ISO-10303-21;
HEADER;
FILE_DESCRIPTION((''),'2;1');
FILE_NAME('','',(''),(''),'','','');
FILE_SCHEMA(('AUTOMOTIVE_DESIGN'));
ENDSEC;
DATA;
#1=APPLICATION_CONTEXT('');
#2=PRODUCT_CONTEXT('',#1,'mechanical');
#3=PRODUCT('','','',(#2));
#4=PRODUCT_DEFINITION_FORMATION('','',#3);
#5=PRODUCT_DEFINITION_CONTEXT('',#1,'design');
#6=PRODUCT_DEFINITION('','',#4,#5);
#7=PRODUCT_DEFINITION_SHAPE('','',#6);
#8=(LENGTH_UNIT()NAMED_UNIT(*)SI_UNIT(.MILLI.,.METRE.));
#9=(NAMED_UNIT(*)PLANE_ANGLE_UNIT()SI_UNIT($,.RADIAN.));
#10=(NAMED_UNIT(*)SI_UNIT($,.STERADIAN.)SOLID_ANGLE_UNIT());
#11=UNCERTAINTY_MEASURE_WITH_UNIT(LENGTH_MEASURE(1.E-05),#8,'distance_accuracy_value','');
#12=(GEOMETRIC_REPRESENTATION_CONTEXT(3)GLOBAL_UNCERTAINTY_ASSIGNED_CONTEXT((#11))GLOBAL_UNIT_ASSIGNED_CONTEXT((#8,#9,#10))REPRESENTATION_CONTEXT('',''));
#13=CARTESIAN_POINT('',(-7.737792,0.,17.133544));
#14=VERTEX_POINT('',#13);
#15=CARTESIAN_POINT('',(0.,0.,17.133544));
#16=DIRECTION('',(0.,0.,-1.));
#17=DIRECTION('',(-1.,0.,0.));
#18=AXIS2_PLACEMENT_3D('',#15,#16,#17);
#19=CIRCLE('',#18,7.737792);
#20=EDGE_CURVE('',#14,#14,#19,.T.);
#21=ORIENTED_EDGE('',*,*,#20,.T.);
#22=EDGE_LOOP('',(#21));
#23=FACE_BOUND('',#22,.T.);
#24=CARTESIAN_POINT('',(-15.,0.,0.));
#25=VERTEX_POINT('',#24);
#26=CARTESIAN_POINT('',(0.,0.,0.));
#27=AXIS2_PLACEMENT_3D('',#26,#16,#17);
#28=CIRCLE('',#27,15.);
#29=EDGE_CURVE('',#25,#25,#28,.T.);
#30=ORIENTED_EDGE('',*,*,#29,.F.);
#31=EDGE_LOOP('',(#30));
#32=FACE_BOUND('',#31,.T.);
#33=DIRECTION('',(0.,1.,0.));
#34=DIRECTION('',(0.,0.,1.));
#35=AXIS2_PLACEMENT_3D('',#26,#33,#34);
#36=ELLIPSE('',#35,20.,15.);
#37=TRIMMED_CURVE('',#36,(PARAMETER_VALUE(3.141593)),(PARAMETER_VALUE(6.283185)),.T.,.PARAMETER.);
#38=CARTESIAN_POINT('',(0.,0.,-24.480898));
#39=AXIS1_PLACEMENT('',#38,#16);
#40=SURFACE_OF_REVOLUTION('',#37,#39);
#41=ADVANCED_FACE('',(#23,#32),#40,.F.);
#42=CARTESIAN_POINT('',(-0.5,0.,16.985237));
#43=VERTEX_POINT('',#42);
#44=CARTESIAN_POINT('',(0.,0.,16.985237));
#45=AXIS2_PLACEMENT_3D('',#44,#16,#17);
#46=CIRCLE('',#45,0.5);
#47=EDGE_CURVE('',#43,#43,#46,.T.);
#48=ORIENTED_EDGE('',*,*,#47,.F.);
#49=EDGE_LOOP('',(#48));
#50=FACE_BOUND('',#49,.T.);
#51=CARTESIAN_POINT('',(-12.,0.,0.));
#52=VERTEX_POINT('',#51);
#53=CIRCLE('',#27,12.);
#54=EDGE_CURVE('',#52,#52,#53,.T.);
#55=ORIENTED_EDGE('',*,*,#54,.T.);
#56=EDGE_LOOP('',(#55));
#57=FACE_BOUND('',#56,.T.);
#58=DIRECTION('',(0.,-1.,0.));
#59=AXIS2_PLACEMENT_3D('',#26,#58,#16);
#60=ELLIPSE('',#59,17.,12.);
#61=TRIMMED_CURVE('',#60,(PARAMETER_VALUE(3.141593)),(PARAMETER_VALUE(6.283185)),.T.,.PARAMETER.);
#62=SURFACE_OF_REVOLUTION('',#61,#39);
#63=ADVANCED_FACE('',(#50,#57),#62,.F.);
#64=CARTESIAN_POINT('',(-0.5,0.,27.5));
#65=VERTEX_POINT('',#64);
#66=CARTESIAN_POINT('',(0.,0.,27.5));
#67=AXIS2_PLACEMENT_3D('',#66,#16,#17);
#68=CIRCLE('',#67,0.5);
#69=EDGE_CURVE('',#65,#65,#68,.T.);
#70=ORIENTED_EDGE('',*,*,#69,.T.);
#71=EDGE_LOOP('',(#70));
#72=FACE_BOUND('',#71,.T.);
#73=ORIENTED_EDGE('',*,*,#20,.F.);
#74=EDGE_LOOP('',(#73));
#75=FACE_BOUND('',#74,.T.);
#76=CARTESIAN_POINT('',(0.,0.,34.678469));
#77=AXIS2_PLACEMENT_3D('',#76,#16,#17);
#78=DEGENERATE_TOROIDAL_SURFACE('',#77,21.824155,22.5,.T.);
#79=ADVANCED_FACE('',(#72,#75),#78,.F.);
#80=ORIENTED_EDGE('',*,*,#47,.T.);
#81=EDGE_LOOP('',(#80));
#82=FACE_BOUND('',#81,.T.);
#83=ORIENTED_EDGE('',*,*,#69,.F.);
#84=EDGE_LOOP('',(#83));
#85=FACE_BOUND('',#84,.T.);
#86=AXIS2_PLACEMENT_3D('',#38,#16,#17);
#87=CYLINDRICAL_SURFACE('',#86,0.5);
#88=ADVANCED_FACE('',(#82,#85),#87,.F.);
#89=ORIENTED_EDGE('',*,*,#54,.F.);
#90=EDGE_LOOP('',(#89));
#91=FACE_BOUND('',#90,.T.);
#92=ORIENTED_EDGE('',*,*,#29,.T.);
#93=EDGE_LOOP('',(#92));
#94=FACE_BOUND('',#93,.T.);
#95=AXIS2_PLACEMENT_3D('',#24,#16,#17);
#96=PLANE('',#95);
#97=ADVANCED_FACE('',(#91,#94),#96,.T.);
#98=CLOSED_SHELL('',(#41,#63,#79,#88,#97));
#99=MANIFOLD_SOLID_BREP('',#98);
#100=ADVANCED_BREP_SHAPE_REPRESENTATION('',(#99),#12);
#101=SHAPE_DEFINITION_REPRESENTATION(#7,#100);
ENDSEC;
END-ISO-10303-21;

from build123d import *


with BuildPart() as part:
    # Esquisse3 → Révolution1 (revolve)
    with BuildSketch(Plane(origin=(0, 0, 0), x_dir=(1, 0, 0), z_dir=(0, 1, 0))):
        with BuildLine():
            Line((-15, 0), (-12, 0))
            add(Edge.make_bspline(
                [(-12, 0), (-12, -16.305827179), (-0.5, -16.985236645)],
                knots=[1.570796327, 1.570796327, 1.570796327, 3.099913921, 3.099913921, 3.099913921], degree=2, weights=[1, 0.721687836, 1]))
            Line((-0.5, -16.985236645), (-0.5, -27.5))
            ThreePointArc((-0.5, -27.5), (-3.375793576, -21.797942718), (-7.737792446, -17.133544386))
            add(Edge.make_bspline(
                [(-15, 0), (-15, -11.302907545), (-7.737792446, -17.133544386)],
                knots=[4.71238898, 4.71238898, 4.71238898, 5.741182447, 5.741182447, 5.741182447], degree=2, weights=[1, 0.870589694, 1]))
        make_face()
    revolve(axis=Axis((0, 0, -24.480898243), (0, 0, 1)))


solid = part.part
